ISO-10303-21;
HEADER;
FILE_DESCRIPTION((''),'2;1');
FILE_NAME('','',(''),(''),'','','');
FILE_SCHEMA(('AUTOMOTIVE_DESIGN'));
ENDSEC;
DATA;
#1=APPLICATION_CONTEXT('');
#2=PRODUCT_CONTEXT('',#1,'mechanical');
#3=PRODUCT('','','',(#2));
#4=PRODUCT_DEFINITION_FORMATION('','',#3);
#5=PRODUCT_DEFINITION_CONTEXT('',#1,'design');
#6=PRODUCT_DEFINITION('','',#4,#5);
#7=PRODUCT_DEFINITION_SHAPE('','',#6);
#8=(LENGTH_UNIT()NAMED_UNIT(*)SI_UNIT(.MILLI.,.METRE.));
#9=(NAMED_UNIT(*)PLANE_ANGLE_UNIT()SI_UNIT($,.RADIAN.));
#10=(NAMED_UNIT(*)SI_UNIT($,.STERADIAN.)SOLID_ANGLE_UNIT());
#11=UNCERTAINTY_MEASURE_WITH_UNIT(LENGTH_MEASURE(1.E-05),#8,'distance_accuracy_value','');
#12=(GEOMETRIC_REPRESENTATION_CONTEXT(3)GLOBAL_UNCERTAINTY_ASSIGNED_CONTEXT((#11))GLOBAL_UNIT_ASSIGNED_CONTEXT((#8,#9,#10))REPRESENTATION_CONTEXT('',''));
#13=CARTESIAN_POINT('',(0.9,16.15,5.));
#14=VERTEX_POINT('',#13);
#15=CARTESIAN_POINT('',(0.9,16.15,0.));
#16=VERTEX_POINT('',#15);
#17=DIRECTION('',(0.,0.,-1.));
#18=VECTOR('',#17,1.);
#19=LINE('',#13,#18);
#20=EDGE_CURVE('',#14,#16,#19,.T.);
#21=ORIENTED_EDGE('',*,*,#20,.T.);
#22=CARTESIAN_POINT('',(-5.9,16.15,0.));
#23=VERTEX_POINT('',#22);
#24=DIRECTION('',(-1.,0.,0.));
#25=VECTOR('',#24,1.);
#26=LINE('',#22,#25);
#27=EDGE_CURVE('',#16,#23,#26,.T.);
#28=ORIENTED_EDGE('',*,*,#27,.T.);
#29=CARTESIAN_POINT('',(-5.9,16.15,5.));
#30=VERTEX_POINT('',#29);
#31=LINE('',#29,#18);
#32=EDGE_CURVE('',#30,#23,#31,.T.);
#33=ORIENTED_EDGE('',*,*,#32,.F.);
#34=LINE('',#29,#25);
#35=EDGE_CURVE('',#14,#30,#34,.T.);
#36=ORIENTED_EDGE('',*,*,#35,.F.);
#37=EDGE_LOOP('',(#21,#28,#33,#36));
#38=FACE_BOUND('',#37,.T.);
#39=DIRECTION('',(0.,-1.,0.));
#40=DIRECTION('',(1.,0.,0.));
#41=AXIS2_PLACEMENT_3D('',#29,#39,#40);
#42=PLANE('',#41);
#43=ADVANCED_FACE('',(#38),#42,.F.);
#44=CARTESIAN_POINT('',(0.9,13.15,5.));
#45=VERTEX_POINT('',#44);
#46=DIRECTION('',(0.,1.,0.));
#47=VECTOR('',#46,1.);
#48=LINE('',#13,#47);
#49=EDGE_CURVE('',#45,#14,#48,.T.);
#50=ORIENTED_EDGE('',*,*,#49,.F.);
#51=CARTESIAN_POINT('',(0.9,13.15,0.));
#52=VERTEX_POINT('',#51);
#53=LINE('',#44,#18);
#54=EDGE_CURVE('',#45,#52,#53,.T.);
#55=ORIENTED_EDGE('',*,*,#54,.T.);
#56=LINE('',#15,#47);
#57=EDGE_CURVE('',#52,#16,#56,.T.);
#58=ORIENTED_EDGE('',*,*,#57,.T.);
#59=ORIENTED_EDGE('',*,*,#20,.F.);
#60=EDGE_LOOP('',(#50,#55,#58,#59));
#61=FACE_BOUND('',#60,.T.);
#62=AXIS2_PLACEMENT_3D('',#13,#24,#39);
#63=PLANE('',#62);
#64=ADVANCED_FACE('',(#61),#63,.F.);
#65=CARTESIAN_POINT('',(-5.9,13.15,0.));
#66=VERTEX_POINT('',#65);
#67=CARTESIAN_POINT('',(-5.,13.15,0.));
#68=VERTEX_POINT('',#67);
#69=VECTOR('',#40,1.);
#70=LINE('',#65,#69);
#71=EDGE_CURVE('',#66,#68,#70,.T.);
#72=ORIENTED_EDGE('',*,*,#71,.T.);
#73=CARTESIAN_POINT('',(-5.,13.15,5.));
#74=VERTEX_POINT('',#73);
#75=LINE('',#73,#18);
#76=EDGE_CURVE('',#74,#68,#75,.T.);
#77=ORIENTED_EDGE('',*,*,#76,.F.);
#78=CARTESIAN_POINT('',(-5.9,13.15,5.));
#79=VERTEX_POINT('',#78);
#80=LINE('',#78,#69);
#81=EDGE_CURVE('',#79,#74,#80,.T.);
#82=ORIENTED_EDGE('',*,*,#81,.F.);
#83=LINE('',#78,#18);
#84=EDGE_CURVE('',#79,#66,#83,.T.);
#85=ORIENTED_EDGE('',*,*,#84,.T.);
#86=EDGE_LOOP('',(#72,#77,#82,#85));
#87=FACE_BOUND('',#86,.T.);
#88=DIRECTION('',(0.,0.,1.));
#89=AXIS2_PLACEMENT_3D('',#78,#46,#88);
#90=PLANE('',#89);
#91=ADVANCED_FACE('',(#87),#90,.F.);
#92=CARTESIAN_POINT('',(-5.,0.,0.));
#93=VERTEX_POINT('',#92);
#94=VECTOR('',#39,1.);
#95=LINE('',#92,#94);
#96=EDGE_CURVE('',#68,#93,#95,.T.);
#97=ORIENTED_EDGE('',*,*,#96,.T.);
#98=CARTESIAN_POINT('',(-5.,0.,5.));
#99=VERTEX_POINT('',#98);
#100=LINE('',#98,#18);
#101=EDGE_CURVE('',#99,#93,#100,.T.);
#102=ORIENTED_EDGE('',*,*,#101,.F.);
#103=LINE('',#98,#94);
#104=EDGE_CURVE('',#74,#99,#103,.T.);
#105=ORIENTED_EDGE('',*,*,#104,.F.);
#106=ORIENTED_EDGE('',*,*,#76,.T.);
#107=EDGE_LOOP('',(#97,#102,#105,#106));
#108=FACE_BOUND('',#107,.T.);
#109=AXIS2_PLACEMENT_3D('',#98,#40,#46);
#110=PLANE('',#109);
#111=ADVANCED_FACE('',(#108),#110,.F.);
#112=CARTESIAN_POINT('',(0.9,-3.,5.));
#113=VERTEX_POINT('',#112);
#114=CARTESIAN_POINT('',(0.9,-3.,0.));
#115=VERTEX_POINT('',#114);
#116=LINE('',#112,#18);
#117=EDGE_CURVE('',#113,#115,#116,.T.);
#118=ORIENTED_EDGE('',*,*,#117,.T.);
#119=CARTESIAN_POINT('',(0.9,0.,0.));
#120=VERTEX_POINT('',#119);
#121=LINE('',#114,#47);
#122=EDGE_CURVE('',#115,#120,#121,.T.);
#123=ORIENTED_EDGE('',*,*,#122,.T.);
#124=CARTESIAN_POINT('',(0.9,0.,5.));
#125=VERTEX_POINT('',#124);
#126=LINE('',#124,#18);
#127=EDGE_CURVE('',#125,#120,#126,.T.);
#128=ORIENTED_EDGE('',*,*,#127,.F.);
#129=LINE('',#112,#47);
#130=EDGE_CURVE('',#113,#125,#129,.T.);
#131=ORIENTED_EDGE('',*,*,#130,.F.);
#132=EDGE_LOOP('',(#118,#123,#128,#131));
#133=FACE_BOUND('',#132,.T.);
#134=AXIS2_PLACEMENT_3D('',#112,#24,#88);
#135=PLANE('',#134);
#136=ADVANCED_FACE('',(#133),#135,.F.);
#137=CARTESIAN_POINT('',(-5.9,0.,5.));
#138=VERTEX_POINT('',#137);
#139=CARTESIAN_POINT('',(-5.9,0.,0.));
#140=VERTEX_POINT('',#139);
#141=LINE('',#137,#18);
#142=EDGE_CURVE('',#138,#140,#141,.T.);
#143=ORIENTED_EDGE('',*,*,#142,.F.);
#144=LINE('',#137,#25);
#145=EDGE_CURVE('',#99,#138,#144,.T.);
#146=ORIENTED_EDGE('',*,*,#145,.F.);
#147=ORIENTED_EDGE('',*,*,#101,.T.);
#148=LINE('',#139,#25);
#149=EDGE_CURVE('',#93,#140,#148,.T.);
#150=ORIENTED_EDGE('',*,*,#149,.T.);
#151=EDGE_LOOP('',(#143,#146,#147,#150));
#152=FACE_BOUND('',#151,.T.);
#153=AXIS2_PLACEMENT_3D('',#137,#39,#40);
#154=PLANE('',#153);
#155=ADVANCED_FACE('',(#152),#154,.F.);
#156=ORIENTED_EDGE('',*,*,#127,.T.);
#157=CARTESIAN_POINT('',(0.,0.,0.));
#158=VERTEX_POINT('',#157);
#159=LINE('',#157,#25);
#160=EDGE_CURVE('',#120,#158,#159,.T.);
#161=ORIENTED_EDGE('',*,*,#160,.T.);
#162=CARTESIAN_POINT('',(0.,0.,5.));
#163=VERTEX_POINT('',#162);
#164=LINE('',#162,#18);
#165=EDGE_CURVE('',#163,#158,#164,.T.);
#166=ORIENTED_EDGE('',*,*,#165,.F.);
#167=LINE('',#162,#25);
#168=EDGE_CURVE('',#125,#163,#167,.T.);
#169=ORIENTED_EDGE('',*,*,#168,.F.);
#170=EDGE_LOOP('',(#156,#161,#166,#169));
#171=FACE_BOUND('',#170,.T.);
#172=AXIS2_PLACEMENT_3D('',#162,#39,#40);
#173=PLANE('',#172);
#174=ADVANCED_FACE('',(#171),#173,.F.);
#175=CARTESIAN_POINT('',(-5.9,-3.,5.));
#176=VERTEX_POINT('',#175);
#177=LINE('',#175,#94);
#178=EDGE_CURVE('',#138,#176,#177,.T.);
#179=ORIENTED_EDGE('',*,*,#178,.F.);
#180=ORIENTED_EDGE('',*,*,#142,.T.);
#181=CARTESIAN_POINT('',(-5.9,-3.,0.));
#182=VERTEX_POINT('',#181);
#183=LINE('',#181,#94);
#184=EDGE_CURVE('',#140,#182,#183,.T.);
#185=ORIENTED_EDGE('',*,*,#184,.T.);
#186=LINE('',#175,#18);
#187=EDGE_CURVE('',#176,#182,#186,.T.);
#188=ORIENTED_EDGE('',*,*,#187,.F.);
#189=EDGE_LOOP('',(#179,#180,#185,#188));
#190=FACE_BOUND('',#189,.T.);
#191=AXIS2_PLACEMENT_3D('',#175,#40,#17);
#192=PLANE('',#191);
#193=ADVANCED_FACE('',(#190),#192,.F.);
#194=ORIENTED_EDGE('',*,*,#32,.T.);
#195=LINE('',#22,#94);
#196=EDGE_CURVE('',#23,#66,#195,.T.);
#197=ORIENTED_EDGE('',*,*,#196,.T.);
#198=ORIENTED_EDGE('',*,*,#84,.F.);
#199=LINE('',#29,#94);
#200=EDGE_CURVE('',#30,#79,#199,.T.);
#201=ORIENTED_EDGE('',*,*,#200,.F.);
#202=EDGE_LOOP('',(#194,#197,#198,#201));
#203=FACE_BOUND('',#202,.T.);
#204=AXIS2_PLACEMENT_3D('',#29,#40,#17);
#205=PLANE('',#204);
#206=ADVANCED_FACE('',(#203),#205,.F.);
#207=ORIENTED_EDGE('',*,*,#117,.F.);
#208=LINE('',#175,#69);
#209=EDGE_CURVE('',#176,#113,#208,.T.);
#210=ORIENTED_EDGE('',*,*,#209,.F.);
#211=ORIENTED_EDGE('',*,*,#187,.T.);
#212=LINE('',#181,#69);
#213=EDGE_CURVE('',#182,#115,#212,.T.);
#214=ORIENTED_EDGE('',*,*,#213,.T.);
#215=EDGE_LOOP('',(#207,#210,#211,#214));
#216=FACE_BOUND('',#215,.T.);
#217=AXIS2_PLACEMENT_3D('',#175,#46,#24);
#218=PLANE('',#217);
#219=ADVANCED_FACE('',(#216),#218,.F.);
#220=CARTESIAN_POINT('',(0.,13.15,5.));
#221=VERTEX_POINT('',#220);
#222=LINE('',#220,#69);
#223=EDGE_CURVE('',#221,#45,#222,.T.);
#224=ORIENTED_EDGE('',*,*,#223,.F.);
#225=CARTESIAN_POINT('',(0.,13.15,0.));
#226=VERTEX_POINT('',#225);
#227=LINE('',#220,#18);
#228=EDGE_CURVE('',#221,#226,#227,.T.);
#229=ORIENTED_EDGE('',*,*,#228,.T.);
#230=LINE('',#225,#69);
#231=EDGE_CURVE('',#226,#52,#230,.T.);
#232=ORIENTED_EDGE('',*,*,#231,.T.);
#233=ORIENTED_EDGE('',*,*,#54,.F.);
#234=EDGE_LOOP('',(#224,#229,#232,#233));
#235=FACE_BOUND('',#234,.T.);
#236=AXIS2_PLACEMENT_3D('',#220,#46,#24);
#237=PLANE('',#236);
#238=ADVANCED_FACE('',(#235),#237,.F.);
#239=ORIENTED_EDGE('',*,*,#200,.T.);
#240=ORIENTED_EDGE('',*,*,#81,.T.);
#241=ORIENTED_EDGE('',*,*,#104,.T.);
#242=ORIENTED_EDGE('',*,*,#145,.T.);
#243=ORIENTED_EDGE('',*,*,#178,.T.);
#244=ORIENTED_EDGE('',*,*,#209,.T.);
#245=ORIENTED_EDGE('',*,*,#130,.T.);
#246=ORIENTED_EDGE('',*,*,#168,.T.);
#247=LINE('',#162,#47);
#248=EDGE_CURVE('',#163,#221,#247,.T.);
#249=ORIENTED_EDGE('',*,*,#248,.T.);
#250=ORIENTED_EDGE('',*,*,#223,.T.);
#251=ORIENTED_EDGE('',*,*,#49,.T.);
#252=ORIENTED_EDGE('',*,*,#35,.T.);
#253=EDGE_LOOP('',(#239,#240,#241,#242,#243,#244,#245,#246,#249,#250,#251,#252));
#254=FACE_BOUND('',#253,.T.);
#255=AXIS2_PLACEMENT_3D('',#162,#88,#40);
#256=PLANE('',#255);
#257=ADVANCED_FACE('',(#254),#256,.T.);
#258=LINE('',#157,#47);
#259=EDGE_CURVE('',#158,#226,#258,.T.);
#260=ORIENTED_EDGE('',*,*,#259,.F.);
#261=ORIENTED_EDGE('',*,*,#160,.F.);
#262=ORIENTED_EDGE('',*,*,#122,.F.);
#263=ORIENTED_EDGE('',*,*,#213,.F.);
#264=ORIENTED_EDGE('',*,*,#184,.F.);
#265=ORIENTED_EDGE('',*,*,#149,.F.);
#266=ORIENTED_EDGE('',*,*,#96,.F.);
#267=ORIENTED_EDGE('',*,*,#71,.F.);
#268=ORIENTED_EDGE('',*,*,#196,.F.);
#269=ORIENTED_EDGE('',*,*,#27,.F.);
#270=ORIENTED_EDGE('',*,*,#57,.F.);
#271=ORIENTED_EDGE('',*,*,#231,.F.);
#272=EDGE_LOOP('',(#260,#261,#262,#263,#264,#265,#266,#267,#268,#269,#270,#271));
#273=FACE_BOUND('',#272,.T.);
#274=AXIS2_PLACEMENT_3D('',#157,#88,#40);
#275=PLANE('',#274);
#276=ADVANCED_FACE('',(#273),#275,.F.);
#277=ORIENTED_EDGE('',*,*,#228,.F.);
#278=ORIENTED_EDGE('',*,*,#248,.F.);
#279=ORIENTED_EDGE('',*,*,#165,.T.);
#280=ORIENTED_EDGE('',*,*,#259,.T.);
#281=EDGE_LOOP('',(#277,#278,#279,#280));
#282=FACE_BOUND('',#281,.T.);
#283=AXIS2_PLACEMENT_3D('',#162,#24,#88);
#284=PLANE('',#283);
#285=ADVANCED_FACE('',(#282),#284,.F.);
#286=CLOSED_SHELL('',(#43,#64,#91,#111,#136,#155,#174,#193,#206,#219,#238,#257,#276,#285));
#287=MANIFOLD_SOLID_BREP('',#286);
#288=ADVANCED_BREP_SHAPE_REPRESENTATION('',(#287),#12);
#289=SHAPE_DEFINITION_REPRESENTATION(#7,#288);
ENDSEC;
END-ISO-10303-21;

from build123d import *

# Parameters (mm, degrees)
BOSS_EXTRUDE1_DEPTH = 5


with BuildPart() as part:
    # Sketch1 → Boss-Extrude1 (new body)
    with BuildSketch(Plane.XY):
        Polygon((0, 0), (0, 13.15), (0.9, 13.15), (0.9, 16.15), (-5.9, 16.15), (-5.9, 13.15), (-5, 13.15), (-5, 0), (-5.9, 0), (-5.9, -3), (0.9, -3), (0.9, 0), align=None)
    extrude(amount=BOSS_EXTRUDE1_DEPTH)


solid = part.part
